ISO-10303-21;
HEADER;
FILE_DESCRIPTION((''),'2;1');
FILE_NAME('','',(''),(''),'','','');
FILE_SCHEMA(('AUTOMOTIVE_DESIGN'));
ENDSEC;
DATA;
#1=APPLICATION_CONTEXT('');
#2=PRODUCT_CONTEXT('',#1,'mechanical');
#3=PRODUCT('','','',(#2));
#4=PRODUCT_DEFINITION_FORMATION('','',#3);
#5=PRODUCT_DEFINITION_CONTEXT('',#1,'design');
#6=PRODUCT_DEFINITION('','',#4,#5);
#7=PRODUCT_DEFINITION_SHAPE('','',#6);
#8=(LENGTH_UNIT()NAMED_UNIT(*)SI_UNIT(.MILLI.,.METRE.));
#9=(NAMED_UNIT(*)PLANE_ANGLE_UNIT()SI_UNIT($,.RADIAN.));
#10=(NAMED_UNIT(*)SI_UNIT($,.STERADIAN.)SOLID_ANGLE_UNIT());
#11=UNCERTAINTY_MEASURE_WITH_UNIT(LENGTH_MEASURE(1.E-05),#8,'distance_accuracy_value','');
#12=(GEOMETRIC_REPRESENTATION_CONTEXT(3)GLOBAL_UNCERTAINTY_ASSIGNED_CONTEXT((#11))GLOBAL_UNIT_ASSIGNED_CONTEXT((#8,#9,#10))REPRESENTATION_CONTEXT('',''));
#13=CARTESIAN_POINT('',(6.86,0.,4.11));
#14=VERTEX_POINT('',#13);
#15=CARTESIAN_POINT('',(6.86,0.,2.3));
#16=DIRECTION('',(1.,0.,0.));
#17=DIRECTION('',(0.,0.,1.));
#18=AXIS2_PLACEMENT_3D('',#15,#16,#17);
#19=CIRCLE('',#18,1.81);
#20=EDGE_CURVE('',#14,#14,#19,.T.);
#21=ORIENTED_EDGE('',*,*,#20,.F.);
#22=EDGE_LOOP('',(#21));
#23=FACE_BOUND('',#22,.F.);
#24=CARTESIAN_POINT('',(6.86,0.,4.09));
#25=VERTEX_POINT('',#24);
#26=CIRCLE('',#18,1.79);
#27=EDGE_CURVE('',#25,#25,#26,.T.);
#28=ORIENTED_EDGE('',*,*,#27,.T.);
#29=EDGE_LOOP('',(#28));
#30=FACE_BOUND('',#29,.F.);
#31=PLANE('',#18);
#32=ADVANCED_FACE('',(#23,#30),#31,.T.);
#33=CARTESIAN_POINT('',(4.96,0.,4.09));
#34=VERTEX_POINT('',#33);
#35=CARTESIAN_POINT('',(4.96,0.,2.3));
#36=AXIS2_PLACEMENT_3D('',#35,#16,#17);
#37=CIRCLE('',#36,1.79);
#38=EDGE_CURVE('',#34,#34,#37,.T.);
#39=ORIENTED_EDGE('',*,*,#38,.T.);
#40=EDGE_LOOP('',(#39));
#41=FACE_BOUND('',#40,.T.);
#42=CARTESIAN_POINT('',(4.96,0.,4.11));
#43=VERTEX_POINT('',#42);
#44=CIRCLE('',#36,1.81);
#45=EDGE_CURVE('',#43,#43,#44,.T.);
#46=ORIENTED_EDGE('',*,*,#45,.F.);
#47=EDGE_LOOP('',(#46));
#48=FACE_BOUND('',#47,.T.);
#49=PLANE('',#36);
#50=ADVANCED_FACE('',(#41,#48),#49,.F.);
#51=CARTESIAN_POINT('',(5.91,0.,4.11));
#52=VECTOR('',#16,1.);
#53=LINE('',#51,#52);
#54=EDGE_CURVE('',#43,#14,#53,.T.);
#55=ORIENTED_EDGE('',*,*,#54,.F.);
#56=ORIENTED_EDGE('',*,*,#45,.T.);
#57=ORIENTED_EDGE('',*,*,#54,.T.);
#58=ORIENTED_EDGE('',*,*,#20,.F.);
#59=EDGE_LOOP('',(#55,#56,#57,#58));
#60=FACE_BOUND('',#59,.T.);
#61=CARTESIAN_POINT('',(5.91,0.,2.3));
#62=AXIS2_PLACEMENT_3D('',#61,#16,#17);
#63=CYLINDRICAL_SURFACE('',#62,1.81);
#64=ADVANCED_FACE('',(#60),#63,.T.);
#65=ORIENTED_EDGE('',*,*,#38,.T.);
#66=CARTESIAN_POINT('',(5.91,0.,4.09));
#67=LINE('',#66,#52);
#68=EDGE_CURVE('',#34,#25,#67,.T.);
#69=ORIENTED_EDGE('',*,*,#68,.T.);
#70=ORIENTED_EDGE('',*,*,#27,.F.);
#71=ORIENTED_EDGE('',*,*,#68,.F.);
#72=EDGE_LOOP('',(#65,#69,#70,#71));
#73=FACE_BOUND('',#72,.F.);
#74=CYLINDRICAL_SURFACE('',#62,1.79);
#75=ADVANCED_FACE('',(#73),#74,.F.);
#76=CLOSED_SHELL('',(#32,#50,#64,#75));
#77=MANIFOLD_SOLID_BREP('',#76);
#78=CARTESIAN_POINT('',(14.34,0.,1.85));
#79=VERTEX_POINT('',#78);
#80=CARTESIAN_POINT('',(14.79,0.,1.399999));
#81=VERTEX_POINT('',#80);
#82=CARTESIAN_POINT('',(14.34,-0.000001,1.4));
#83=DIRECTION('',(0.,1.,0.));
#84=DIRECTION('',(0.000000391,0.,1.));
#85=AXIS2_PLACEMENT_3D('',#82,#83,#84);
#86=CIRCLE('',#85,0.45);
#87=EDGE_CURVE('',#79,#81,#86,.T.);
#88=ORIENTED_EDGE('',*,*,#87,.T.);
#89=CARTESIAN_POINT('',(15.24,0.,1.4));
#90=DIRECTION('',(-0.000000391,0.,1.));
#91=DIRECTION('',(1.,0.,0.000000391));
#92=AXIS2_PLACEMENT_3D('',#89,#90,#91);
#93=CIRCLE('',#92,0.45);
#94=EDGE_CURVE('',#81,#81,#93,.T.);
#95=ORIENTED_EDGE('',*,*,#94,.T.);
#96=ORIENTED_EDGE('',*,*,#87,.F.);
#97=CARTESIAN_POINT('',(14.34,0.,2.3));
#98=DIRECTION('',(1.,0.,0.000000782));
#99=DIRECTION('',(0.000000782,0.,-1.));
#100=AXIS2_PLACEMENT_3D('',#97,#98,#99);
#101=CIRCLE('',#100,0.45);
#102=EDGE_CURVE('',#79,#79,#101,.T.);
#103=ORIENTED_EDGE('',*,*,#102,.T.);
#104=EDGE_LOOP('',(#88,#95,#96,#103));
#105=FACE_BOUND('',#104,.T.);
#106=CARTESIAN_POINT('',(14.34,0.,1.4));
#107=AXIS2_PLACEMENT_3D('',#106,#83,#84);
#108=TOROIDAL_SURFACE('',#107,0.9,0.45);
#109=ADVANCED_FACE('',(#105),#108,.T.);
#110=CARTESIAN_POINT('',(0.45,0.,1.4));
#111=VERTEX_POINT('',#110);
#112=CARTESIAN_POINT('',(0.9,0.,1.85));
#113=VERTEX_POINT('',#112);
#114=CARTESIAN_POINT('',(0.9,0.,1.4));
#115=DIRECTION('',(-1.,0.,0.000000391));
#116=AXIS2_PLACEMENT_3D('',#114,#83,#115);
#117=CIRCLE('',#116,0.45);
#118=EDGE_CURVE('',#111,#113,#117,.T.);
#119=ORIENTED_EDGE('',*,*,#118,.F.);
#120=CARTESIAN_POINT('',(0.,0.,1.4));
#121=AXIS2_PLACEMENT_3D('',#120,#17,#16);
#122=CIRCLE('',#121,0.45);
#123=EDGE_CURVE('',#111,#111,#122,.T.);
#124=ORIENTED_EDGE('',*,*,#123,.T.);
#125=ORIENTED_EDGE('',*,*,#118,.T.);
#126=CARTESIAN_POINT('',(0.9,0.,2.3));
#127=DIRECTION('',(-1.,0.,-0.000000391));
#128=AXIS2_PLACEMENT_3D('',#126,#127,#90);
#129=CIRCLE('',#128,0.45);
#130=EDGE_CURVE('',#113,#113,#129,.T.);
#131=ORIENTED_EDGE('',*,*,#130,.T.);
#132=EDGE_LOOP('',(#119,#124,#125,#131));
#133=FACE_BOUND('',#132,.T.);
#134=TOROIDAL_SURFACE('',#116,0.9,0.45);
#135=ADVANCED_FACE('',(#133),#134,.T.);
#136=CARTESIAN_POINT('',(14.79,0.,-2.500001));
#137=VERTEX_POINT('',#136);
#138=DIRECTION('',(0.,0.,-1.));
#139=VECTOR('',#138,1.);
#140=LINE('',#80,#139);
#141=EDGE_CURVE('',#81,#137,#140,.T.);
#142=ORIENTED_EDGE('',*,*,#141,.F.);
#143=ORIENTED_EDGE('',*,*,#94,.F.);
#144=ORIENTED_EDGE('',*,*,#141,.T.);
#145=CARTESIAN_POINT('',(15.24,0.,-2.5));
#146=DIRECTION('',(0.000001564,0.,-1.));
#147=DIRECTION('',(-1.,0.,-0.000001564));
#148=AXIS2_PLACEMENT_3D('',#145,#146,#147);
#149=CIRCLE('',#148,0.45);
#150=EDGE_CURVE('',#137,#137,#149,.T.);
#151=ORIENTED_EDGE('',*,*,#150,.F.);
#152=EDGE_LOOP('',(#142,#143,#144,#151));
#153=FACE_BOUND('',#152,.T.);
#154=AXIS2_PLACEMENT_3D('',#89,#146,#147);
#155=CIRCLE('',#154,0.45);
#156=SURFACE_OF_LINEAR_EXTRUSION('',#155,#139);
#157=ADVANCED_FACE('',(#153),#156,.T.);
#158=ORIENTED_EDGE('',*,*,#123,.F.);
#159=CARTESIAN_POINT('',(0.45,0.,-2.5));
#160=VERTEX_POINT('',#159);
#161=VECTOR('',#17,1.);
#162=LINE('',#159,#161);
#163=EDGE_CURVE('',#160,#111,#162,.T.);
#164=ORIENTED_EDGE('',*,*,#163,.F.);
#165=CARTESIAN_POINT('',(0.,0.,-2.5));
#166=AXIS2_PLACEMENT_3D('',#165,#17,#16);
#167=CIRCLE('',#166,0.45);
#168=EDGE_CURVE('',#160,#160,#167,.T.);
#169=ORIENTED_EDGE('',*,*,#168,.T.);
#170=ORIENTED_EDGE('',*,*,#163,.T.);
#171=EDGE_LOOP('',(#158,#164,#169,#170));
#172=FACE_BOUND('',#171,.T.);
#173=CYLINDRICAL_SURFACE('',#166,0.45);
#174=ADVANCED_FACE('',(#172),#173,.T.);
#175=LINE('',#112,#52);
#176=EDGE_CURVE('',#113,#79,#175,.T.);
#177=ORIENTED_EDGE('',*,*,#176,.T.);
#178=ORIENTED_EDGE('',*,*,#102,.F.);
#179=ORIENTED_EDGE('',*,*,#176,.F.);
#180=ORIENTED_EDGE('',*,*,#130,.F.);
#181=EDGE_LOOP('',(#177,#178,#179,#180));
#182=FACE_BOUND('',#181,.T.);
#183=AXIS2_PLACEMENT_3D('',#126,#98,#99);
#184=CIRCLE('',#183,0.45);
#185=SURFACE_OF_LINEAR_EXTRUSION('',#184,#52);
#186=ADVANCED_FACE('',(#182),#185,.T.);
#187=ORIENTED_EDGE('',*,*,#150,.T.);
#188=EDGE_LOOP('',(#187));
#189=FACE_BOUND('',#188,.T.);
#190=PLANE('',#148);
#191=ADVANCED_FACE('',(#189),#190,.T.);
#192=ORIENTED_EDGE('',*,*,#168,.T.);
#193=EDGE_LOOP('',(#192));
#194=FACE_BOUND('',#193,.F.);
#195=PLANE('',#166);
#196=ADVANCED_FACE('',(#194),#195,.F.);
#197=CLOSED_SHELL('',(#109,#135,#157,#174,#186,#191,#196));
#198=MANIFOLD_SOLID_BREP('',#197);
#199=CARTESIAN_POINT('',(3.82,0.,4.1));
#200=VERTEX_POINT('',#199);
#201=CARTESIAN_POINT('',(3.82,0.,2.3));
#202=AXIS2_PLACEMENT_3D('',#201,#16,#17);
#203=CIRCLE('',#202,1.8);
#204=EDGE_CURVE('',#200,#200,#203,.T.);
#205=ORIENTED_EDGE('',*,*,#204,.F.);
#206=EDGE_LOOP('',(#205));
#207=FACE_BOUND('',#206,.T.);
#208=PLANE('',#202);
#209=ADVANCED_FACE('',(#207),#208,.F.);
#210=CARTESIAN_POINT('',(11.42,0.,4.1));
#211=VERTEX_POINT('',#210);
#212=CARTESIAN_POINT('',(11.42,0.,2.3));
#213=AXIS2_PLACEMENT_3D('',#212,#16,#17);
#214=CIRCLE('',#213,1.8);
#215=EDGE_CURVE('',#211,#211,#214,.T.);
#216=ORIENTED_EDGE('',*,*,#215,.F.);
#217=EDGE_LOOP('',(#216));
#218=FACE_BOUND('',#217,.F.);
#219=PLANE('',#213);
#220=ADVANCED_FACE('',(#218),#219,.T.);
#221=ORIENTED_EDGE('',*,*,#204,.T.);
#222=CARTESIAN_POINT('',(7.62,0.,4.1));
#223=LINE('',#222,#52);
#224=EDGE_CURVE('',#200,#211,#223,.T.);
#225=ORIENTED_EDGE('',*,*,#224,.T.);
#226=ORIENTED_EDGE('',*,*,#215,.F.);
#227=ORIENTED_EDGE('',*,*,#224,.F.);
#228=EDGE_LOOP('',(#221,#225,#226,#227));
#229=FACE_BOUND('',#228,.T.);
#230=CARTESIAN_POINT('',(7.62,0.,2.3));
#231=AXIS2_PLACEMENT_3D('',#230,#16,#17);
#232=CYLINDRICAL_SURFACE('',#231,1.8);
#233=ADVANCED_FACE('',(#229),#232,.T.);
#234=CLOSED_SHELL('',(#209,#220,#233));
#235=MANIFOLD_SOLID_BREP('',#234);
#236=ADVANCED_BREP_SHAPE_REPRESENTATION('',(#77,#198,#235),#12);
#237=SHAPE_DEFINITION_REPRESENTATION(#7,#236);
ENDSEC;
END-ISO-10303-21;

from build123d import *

# Parameters (mm, degrees)
SKETCH002_W = 7.6
SKETCH002_H = 1.8
SKETCH003_W = 1.9
SKETCH003_H = 0.02
SKETCH_R    = 0.45


with BuildPart() as revolution:
    # Sketch002 → Revolution (revolve)
    with BuildSketch(Plane.XZ):
        with Locations((7.62, 3.2)):
            Rectangle(SKETCH002_W, SKETCH002_H)
    revolve(axis=Axis((3.82, 0, 2.3), (1, 0, 0)))


with BuildPart() as revolution001:
    # Sketch003 → Revolution001 (revolve)
    with BuildSketch(Plane.XZ):
        with Locations((5.91, 4.1)):
            Rectangle(SKETCH003_W, SKETCH003_H)
    revolve(axis=Axis((0, 0, 2.3), (1, 0, 0)))


with BuildPart() as sweep_body:
    # Sweep: sweep along a path in Sketch001
    with BuildLine(Plane.XZ) as sweep_path:
        Line((0, -2.5), (0, 1.4))
        ThreePointArc((0, 1.4), (0.263604, 2.036396), (0.9, 2.3))
        Line((0.9, 2.3), (14.34, 2.3))
        ThreePointArc((14.34, 2.3), (14.976396, 2.036396), (15.24, 1.4))
        Line((15.24, 1.4), (15.24, -2.5))
    # Sketch → Sweep (sweep)
    with BuildSketch(Plane.XY.offset(-2)):
        Circle(SKETCH_R)
    sweep(path=sweep_path.line)


solid = Compound([revolution.part, revolution001.part, sweep_body.part])
